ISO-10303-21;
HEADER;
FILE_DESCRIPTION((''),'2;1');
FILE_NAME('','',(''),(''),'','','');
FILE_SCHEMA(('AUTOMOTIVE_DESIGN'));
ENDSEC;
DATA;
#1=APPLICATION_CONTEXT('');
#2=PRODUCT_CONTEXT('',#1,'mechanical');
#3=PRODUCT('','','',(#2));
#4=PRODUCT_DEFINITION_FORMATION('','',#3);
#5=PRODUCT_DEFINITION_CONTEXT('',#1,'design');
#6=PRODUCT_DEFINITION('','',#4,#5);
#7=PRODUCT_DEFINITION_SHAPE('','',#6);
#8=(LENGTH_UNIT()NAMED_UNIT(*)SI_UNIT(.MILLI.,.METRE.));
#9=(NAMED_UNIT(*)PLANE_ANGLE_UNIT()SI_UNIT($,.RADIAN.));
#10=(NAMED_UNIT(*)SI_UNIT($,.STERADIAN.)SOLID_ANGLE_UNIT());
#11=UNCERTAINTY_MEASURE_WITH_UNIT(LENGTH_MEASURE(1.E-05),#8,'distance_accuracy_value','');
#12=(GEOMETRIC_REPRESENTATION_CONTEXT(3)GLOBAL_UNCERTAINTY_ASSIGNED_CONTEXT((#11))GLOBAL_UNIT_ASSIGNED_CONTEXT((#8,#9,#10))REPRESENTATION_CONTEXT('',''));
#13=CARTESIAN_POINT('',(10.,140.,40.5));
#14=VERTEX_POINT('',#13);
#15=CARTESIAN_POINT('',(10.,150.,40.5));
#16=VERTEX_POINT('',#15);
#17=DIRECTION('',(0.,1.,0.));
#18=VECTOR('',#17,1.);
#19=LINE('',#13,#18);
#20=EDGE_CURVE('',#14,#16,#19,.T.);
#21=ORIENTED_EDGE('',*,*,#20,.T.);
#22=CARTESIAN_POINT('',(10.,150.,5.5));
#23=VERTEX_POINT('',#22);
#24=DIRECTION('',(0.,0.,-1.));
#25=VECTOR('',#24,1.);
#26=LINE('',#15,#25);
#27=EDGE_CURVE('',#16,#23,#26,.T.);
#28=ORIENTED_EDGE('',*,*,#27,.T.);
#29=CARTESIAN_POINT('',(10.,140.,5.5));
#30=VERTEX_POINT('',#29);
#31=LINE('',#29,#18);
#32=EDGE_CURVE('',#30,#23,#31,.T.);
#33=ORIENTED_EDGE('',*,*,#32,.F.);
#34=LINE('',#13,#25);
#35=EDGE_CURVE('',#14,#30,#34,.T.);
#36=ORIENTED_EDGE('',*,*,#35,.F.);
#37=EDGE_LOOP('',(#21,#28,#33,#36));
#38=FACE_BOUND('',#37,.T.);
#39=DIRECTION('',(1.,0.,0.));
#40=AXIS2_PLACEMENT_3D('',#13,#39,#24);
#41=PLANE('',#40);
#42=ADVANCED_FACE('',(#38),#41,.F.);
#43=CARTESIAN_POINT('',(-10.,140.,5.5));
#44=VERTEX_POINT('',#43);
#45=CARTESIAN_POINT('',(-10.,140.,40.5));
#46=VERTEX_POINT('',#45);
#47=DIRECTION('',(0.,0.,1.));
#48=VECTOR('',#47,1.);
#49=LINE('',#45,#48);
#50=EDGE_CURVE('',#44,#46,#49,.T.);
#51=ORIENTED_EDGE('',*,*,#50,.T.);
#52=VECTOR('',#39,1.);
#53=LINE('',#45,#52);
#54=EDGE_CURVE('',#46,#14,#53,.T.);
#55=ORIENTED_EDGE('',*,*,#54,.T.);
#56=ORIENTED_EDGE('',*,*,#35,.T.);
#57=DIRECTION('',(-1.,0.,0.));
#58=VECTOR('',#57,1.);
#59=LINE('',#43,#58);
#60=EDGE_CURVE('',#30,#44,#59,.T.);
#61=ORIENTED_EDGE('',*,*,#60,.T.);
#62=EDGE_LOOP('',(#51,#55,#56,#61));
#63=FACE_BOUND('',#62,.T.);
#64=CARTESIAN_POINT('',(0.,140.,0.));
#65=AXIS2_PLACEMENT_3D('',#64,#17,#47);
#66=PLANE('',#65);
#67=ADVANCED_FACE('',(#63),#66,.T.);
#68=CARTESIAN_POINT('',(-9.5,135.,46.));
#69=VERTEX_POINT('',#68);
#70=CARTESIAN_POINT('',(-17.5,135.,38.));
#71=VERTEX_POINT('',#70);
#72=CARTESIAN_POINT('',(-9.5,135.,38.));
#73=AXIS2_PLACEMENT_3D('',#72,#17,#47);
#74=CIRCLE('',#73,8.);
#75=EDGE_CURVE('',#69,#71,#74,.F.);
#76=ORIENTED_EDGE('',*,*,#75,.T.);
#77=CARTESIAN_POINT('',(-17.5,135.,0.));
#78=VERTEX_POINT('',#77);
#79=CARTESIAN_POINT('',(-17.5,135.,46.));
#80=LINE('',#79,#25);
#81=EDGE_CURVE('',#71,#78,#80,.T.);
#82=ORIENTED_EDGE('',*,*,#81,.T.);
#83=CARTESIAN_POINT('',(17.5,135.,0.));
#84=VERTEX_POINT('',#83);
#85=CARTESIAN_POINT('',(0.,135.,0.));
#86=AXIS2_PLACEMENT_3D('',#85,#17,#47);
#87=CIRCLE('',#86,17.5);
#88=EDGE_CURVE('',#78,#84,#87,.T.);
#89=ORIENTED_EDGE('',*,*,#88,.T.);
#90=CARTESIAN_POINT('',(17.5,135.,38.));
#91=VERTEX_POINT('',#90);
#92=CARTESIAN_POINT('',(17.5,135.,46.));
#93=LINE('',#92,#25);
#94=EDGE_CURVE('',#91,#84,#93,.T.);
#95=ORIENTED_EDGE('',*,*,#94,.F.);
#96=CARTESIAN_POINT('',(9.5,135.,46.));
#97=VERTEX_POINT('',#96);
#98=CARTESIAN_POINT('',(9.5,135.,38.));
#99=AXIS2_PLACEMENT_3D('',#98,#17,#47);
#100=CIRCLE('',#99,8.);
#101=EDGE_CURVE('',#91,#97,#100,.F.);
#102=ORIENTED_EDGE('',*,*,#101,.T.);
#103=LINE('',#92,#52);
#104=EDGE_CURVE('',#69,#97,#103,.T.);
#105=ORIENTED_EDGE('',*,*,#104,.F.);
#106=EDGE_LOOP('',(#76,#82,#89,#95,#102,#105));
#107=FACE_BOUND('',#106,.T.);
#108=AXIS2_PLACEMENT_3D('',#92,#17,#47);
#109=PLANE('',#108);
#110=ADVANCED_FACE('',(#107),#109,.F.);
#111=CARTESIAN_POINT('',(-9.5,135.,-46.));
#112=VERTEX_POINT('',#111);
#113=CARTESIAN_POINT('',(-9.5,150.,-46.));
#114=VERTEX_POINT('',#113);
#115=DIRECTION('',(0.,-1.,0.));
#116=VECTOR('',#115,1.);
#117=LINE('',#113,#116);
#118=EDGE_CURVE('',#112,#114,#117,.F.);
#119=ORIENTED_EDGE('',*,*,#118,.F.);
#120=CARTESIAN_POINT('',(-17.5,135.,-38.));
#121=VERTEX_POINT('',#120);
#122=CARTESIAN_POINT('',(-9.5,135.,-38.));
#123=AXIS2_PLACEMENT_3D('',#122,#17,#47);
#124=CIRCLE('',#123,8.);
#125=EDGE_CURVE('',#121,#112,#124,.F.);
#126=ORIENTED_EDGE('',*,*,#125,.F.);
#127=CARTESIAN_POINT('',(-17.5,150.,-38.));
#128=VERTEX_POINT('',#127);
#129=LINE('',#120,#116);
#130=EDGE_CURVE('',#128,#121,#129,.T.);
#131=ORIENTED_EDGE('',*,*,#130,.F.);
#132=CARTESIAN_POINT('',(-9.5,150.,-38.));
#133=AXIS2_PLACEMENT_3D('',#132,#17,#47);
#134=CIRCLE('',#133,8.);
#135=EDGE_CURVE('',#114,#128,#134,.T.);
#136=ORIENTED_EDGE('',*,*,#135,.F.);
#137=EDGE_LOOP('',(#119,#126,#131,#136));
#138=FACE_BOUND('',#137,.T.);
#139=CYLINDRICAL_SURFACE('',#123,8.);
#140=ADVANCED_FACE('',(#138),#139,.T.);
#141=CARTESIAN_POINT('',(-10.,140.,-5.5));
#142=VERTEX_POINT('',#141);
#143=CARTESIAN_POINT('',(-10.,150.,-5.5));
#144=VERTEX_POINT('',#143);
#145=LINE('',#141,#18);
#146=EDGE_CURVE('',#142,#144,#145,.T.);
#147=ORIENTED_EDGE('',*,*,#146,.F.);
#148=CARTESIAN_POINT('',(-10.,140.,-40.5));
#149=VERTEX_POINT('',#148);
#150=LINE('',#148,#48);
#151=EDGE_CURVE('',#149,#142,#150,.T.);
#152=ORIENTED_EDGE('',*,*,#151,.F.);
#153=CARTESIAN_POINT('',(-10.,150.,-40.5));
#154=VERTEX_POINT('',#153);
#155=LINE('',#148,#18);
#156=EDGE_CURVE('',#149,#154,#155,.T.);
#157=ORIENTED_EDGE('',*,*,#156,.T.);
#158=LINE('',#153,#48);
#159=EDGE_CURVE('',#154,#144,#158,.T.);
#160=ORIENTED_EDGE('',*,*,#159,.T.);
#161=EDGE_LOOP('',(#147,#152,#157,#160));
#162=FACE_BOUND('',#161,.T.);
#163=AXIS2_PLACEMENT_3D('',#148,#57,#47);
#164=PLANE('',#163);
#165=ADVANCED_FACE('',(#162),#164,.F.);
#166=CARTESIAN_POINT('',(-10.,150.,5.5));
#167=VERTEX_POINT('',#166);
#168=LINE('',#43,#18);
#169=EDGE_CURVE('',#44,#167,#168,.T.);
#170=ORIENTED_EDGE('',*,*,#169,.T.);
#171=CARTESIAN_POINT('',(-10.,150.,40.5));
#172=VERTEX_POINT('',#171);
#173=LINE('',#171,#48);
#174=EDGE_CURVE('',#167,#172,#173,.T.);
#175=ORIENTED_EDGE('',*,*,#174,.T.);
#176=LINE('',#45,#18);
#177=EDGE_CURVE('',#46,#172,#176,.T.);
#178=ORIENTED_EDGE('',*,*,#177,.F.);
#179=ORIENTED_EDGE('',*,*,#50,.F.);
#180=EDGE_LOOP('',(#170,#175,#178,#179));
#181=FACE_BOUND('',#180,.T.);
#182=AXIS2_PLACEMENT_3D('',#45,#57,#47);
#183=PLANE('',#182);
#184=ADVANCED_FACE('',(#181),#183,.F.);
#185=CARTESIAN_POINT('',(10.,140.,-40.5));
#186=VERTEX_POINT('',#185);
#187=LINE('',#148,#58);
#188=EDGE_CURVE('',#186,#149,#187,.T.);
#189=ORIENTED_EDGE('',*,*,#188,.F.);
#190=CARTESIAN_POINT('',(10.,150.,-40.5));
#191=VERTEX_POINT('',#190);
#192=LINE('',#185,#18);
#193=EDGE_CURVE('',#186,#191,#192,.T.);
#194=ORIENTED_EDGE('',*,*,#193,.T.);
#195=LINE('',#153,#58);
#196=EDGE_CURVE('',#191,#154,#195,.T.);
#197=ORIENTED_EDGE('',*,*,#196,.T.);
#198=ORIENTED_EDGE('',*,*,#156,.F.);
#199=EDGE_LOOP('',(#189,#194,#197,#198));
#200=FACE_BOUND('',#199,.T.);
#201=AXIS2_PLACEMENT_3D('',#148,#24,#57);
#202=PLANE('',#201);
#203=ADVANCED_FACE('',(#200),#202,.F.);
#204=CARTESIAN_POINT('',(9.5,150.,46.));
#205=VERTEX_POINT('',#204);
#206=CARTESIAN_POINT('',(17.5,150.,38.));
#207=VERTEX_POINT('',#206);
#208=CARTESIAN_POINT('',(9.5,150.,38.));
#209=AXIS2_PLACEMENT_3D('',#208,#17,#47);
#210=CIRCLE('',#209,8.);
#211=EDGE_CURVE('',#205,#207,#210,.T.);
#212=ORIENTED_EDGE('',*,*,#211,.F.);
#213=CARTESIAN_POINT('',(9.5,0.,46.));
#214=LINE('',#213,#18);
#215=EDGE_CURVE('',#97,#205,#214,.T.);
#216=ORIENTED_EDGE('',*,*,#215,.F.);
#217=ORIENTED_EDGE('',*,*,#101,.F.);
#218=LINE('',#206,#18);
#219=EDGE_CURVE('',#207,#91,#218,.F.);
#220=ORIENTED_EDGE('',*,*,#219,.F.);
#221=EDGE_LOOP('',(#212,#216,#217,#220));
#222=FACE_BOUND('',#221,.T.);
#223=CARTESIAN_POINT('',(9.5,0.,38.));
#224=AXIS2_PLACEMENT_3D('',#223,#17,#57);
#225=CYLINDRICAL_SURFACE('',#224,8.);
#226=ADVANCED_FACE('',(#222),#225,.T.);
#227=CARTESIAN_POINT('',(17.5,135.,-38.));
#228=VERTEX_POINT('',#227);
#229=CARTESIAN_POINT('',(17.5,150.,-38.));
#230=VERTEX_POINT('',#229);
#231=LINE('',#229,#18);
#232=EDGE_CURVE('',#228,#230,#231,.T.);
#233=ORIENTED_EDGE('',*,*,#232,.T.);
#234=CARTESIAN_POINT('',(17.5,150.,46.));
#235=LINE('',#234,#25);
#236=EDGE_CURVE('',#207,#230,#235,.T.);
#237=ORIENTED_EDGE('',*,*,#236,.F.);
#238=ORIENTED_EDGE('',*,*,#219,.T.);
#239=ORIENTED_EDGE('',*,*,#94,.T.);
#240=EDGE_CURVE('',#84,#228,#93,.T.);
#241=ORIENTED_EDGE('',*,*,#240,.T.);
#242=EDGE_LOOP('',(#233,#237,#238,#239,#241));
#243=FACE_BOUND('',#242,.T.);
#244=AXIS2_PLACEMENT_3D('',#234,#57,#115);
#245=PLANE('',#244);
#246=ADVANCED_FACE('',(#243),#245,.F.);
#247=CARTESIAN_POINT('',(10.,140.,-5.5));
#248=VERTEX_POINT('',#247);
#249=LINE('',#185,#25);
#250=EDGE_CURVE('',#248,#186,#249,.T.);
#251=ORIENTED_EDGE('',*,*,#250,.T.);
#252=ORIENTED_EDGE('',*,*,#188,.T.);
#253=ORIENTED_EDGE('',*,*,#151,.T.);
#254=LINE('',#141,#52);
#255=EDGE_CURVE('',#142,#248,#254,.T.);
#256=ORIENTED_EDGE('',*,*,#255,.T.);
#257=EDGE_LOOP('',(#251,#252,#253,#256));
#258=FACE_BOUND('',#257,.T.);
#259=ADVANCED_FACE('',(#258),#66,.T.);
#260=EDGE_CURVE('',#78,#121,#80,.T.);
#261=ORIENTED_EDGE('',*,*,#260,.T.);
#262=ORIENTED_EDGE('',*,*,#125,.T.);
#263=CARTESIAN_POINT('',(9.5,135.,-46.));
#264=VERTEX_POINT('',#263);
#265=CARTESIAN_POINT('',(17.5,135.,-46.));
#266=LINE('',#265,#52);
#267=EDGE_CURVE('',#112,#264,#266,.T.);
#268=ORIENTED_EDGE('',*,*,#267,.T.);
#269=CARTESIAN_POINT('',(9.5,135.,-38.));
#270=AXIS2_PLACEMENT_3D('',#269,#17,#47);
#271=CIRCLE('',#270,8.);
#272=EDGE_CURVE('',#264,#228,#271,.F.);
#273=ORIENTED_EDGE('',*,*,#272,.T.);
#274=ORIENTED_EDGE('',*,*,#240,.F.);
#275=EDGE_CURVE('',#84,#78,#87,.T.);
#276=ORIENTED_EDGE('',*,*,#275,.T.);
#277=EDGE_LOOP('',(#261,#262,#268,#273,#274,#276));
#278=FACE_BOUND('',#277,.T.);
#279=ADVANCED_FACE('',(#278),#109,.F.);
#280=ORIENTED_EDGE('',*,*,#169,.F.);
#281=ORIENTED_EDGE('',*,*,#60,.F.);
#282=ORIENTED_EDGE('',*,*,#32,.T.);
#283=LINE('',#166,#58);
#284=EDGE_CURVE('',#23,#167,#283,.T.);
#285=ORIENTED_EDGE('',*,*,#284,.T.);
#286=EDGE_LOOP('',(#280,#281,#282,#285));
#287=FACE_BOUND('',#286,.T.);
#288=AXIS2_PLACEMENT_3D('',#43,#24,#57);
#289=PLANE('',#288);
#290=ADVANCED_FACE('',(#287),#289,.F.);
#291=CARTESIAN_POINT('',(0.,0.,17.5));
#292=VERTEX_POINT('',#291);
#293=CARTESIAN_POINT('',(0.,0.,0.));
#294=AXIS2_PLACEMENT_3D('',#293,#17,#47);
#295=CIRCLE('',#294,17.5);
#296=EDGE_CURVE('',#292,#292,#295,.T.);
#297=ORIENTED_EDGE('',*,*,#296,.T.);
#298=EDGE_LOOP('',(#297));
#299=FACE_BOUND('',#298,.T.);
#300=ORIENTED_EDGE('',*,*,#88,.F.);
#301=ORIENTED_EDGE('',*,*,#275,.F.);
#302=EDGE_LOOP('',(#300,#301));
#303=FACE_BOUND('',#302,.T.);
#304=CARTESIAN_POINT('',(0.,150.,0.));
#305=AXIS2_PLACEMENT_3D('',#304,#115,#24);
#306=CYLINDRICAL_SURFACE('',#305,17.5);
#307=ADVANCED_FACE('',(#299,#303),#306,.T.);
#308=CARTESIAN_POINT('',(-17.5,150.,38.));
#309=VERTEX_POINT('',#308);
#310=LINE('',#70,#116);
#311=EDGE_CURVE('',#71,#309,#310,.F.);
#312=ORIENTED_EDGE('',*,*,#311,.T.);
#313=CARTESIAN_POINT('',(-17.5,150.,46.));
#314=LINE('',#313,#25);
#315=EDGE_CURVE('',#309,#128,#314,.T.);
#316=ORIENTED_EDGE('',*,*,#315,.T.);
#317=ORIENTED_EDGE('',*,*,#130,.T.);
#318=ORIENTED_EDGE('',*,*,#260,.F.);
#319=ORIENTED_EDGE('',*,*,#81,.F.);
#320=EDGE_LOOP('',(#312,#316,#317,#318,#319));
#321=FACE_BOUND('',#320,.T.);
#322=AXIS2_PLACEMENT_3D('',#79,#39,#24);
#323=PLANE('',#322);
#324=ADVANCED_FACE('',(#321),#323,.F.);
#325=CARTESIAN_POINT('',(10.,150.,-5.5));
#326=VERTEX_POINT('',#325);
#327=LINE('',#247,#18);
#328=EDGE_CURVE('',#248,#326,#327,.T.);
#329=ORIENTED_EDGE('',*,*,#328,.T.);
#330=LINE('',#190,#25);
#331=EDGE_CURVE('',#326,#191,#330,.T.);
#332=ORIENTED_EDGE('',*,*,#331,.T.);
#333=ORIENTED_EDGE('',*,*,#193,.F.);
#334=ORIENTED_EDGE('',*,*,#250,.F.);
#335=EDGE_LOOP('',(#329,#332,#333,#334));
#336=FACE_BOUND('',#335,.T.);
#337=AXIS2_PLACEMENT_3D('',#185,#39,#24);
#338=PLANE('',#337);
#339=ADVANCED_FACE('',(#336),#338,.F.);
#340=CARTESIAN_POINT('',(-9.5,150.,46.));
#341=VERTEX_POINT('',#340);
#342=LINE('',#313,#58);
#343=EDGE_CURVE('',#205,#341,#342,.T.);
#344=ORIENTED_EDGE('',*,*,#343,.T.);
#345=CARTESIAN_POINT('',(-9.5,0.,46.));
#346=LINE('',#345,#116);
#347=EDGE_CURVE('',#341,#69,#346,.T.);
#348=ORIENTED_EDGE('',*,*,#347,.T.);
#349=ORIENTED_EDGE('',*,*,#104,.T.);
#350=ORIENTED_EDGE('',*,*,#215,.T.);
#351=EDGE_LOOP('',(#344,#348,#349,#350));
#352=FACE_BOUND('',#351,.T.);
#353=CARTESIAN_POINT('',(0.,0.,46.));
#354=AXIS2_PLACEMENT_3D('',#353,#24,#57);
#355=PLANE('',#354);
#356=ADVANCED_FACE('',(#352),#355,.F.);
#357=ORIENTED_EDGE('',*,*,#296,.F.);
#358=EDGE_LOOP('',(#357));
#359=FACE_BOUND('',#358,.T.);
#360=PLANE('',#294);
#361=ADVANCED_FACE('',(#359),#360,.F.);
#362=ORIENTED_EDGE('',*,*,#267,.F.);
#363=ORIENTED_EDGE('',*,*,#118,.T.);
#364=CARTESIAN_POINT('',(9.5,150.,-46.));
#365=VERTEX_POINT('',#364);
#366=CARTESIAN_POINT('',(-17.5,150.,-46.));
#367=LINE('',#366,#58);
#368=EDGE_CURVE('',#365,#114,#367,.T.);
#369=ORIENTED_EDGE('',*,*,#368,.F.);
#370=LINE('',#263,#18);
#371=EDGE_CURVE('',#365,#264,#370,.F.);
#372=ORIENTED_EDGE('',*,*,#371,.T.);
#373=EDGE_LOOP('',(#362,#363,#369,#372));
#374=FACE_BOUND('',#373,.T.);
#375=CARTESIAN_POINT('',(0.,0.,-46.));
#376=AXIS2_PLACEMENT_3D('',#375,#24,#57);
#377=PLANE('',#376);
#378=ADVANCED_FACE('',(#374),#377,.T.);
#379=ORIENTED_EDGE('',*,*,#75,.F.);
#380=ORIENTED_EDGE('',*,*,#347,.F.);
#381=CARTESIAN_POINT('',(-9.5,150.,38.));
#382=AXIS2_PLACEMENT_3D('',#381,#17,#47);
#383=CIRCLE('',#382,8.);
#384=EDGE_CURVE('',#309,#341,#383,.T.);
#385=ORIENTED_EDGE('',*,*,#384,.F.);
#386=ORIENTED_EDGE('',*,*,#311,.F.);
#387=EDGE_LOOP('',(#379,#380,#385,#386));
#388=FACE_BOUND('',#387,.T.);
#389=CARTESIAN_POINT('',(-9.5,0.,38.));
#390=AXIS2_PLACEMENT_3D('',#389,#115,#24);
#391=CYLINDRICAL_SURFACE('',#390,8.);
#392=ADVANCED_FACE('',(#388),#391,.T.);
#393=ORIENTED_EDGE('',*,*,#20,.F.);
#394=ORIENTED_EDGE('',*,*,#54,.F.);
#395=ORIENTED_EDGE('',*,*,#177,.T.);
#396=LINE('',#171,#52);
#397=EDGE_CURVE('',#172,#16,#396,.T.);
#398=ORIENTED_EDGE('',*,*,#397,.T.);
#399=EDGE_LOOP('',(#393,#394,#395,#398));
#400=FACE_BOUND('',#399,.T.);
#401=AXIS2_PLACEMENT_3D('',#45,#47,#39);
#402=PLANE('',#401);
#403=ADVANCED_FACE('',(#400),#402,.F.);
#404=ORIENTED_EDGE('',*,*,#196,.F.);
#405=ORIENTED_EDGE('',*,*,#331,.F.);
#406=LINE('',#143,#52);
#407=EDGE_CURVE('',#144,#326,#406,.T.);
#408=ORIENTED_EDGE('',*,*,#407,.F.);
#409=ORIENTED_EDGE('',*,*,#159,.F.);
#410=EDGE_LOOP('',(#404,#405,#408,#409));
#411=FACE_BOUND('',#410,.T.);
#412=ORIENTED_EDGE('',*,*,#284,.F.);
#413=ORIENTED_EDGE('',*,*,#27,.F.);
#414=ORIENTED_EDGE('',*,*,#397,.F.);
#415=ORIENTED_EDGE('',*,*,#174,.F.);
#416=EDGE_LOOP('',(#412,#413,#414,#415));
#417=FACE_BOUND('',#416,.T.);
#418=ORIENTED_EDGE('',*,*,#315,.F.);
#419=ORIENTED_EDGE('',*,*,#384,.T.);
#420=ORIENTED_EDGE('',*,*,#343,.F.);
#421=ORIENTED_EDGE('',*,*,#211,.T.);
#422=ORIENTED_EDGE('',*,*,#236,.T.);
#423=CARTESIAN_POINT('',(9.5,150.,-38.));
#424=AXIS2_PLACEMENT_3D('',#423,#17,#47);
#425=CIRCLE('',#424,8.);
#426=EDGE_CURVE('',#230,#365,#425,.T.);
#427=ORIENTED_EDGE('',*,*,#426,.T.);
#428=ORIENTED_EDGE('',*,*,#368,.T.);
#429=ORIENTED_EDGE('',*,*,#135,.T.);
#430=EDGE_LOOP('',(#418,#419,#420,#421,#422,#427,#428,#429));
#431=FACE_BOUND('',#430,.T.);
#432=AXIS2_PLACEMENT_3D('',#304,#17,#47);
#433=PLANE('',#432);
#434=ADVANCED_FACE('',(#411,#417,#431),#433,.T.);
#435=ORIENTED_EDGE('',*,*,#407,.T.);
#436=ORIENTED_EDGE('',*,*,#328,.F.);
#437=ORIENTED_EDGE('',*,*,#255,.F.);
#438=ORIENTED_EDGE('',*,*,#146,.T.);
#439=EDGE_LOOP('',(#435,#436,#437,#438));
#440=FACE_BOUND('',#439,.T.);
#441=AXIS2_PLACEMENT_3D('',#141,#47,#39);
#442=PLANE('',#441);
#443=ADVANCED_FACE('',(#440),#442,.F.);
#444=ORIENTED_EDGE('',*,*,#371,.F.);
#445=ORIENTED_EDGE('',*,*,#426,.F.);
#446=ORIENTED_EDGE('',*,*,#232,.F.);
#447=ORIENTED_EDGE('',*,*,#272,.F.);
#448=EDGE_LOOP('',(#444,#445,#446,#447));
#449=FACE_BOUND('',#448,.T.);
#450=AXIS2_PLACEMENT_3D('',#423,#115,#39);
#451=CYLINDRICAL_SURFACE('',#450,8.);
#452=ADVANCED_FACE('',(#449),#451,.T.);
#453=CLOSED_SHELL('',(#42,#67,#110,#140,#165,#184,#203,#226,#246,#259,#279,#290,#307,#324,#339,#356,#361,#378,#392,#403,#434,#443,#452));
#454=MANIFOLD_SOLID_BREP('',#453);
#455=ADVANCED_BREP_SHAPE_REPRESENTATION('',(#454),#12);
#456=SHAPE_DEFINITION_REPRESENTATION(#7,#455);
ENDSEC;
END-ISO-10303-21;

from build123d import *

# Parameters (mm, degrees)
SKETCH1_R           = 17.5
BOSS_EXTRUDE1_DEPTH = 150
SKETCH2_W           = 35
SKETCH2_H           = 15
BOSS_EXTRUDE2_DEPTH = 46
SKETCH3_W           = 20
SKETCH3_H           = 35
CUT_EXTRUDE1_DEPTH  = 10
FILLET1_R           = 8


with BuildPart() as part:
    # Sketch1 → Boss-Extrude1 (new body)
    with BuildSketch(Plane(origin=(0, 0, 0), x_dir=(1, 0, 0), z_dir=(0, 1, 0))):
        with Locations(Location((0, 0, 0), (0, 0, 270))):
            Circle(SKETCH1_R)
    extrude(amount=BOSS_EXTRUDE1_DEPTH)

    # Sketch2 → Boss-Extrude2 (add, symmetric)
    with BuildSketch(Plane.XY):
        with Locations((0, 142.5)):
            Rectangle(SKETCH2_W, SKETCH2_H)
    extrude(amount=BOSS_EXTRUDE2_DEPTH, both=True)

    # Sketch3 → Cut-Extrude1 (cut)
    with BuildSketch(Plane(origin=(0, 150, 0), x_dir=(1, 0, 0), z_dir=(0, 1, 0))):
        with Locations((0, 23)):
            Rectangle(SKETCH3_W, SKETCH3_H)
        with Locations((0, -23)):
            Rectangle(SKETCH3_W, SKETCH3_H)
    extrude(amount=-CUT_EXTRUDE1_DEPTH, mode=Mode.SUBTRACT)

    # Fillet1
    fillet1_edges = [part.edges().sort_by_distance(p)[0] for p in [
        (-17.5, 142.5, 46),
        (17.5, 142.5, 46),
        (17.5, 142.5, -46),
        (-17.5, 142.5, -46),
    ]]
    fillet(fillet1_edges, radius=FILLET1_R)


solid = part.part
